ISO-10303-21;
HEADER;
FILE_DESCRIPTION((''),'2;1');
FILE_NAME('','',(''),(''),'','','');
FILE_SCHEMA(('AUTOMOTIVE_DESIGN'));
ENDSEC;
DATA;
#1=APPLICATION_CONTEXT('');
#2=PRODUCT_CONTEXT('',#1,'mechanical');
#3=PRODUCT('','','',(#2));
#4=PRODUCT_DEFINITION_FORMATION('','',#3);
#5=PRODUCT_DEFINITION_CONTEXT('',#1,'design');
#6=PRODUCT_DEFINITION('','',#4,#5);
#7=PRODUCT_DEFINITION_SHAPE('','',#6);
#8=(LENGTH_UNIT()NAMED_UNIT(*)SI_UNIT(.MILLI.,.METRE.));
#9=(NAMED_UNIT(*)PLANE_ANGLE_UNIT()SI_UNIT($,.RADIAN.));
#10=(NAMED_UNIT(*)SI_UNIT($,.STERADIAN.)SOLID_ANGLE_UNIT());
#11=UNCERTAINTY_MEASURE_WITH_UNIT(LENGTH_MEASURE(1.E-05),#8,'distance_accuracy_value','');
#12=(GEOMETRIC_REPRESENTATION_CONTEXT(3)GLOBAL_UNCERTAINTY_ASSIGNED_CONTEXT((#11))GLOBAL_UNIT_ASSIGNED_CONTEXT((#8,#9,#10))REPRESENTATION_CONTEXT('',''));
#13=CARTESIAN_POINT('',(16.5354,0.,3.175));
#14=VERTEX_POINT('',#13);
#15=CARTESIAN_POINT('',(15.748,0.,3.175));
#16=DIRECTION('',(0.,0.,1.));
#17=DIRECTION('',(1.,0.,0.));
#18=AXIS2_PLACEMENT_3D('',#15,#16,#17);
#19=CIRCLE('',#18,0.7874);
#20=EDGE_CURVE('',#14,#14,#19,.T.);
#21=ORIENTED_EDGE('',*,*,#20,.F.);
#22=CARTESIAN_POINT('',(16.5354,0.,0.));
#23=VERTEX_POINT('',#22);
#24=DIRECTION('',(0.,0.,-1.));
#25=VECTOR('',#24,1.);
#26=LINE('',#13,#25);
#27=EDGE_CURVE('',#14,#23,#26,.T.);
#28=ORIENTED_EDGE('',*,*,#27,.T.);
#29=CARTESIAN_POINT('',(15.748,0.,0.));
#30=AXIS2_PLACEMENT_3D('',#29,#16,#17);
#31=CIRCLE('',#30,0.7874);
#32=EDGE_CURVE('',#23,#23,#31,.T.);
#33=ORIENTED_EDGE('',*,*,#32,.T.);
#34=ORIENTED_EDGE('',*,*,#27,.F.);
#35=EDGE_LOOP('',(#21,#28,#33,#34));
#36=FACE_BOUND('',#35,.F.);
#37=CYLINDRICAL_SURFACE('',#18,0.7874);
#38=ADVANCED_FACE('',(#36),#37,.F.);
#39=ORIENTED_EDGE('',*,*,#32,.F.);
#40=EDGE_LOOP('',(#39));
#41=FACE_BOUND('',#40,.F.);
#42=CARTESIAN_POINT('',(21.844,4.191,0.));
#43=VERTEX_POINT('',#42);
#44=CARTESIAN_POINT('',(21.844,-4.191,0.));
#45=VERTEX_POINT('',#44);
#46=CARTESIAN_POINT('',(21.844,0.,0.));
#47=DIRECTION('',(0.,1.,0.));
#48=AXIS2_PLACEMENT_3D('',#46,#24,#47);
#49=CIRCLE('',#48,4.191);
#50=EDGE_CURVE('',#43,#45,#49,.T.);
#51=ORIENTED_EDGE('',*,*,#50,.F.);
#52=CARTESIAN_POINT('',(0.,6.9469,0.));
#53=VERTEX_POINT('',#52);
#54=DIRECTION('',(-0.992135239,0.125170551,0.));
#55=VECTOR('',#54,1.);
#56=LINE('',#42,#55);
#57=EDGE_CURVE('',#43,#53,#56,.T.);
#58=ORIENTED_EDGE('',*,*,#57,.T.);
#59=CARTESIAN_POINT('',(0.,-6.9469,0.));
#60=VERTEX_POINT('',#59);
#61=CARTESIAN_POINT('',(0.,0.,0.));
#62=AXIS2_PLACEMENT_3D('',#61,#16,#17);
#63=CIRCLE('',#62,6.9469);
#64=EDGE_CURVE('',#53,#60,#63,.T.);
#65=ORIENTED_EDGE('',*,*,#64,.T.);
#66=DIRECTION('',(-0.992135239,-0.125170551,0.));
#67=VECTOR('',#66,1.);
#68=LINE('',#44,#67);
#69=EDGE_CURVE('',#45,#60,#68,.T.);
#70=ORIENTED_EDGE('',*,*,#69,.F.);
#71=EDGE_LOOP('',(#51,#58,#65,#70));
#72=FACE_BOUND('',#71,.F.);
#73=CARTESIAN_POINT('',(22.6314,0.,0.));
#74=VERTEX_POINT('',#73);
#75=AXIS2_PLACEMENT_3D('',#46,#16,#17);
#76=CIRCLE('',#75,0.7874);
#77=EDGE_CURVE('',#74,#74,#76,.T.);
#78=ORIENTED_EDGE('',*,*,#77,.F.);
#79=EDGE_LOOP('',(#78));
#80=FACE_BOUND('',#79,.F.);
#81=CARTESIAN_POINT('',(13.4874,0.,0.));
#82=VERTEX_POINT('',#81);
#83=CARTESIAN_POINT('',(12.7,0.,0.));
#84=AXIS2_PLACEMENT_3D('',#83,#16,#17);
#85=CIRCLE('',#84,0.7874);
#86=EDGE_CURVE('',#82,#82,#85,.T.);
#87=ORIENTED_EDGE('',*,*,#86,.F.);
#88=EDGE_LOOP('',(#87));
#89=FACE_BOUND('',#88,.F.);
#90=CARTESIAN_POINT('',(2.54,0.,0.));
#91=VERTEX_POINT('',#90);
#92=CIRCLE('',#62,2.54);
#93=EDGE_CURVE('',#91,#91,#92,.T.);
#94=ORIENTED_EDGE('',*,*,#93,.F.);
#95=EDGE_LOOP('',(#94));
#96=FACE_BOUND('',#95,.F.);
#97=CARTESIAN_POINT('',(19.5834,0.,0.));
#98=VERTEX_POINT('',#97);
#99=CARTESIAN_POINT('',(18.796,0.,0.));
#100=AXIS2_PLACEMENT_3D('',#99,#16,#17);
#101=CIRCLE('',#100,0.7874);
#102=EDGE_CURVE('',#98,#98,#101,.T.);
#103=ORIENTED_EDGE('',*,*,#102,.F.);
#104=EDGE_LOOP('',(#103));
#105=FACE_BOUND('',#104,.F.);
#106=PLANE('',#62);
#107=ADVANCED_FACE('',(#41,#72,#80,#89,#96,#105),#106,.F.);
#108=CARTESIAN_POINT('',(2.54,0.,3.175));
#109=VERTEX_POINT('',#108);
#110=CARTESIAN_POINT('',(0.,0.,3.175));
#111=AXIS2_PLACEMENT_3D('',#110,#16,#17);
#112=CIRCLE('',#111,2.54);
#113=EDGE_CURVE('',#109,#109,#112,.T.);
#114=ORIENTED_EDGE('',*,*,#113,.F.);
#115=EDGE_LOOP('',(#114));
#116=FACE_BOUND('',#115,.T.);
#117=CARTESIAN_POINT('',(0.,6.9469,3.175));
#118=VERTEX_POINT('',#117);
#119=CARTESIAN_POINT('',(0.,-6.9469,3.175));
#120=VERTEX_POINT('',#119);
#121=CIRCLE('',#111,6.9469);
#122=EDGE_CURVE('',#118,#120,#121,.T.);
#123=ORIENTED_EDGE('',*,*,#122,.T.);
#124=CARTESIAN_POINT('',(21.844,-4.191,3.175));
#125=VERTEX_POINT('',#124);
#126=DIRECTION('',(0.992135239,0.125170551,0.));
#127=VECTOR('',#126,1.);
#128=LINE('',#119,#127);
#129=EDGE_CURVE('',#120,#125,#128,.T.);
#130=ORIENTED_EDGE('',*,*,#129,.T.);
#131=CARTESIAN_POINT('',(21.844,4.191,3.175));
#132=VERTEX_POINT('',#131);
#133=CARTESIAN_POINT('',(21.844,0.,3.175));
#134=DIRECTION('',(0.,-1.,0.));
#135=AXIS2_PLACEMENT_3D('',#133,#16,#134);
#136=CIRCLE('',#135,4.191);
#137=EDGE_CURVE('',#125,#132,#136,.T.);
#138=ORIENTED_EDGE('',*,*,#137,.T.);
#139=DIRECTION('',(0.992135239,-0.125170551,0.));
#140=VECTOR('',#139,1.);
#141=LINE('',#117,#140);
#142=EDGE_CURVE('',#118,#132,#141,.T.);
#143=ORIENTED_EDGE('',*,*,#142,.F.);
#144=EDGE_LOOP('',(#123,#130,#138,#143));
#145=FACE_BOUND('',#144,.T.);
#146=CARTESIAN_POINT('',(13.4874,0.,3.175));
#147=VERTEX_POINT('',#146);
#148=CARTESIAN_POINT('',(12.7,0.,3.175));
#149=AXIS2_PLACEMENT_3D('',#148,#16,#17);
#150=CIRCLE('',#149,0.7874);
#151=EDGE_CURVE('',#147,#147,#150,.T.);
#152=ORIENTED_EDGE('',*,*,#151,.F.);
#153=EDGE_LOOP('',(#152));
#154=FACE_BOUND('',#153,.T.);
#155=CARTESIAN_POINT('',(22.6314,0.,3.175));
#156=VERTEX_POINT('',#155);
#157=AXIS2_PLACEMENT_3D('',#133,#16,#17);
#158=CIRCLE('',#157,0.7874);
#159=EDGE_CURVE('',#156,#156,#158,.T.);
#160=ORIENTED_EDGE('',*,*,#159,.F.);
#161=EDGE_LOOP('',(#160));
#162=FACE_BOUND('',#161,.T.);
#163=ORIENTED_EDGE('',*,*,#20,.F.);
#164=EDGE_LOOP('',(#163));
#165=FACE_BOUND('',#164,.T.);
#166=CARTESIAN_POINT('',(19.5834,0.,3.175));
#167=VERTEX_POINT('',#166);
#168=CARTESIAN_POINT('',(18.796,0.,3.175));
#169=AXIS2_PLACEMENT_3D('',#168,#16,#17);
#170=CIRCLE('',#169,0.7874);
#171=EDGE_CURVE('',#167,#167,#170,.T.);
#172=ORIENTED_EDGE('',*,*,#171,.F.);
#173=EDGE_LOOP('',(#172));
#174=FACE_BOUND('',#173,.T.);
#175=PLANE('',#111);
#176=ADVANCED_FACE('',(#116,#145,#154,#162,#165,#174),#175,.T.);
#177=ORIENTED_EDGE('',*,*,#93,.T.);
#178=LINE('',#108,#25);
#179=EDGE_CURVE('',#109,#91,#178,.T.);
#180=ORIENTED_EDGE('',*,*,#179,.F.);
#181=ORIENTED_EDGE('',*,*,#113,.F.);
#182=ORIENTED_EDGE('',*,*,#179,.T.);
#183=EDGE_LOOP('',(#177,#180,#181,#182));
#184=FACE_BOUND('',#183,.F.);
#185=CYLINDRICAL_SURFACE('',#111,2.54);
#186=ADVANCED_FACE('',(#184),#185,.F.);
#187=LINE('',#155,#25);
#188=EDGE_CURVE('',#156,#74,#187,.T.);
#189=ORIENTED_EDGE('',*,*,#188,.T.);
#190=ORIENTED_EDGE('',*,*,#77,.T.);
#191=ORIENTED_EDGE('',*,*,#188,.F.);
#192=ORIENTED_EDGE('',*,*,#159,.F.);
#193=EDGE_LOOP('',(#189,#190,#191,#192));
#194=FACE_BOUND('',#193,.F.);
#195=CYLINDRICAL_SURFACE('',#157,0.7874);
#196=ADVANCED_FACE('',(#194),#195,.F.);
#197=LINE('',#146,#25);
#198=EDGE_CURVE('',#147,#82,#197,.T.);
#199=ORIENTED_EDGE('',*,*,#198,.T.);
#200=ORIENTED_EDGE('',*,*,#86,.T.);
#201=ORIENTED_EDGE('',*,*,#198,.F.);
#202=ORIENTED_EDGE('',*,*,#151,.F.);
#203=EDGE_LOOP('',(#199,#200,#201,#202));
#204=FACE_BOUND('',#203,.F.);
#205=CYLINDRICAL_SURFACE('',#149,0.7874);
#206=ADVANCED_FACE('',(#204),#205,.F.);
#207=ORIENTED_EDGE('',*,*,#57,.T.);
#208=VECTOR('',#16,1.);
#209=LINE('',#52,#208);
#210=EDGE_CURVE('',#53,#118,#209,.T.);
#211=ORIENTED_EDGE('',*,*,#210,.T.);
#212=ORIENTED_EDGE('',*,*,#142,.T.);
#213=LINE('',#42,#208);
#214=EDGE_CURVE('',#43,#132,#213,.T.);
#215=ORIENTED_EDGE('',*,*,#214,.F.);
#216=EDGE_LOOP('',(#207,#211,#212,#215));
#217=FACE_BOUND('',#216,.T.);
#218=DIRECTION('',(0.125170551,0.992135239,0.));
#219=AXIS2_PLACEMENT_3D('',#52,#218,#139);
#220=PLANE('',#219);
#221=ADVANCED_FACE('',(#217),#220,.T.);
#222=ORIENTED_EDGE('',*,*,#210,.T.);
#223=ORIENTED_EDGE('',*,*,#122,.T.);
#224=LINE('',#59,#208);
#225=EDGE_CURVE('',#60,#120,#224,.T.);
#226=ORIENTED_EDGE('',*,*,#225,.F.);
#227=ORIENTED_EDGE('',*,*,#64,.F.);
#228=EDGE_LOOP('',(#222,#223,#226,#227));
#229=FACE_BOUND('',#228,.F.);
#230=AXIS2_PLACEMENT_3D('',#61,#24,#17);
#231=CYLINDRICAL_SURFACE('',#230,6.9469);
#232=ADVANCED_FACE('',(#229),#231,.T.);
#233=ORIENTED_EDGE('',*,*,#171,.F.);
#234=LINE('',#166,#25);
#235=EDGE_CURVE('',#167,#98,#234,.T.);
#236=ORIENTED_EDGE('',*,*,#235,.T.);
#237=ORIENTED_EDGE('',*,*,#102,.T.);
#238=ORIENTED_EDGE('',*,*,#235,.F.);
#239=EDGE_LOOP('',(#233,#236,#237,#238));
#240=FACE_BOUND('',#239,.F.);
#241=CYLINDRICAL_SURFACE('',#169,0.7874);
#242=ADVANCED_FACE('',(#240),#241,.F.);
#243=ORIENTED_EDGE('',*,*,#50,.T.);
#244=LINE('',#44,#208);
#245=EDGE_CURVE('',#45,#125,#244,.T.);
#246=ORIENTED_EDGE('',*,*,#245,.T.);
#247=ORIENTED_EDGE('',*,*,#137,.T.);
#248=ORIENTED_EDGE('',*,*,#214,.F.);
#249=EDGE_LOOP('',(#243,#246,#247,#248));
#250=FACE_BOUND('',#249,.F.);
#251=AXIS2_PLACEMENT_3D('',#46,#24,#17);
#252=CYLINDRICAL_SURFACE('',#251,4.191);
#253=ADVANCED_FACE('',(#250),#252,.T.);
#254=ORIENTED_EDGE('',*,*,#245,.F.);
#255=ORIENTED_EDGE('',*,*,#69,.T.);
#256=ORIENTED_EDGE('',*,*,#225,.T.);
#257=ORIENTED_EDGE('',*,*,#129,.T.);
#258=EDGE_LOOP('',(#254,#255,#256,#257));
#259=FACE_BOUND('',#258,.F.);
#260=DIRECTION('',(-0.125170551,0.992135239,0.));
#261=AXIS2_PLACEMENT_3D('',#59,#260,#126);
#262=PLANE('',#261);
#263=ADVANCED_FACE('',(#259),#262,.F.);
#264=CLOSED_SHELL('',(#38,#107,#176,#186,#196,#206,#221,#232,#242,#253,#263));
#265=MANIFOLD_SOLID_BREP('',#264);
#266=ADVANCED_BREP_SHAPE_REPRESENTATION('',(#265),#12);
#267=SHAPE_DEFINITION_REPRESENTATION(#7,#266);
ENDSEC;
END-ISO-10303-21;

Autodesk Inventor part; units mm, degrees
ref_plane "YZ Plane" through (0, 0, 0) normal (1, 0, 0) x (0, 1, 0)
ref_plane "XZ Plane" through (0, 0, 0) normal (0, 1, 0) x (-1, 0, 0)
ref_plane "XY Plane" through (0, 0, 0) normal (0, 0, 1) x (1, 0, 0)
sketch "Sketch1" plane through (0, 0, 0) normal (0, 0, 1) x (1, 0, 0)
  circle A0 centre (0, 0) radius 6.9469
  circle A1 centre (21.844, 0) radius 4.191
  line L0 (0, 6.9469) -> (21.844, 4.191)
  line L1 (0, -6.9469) -> (21.844, -4.191)
  dimension "d0" = 13.8938
  dimension "d1" = 8.382
  dimension "d2" = 21.844
extrude "Extrusion1" add sketch "Sketch1" along normal blind 3.175 contours L0 A0 L1 | L0 A1 L1 A0 | A1
sketch "Sketch2" plane through (0, 0, 3.175) normal (0, 0, 1) x (1, 0, 0)
  circle A0 centre (0, 0) radius 2.54
  circle A1 centre (12.7, 0) radius 0.7874
  circle A2 centre (15.748, 0) radius 0.7874
  circle A3 centre (18.796, 0) radius 0.7874
  circle A4 centre (21.844, 0) radius 0.7874
  dimension "d5" = 5.08
  dimension "d6" = 1.5748
  dimension "d7" = 1.5748
  dimension "d8" = 1.5748
  dimension "d9" = 1.5748
  dimension "d10" = 12.7
  dimension "d11" = 15.748
  dimension "d12" = 18.796
  dimension "d13" = 21.844
extrude "Extrusion2" cut sketch "Sketch2" against normal blind 3.175
properties part number "Servo horn"
